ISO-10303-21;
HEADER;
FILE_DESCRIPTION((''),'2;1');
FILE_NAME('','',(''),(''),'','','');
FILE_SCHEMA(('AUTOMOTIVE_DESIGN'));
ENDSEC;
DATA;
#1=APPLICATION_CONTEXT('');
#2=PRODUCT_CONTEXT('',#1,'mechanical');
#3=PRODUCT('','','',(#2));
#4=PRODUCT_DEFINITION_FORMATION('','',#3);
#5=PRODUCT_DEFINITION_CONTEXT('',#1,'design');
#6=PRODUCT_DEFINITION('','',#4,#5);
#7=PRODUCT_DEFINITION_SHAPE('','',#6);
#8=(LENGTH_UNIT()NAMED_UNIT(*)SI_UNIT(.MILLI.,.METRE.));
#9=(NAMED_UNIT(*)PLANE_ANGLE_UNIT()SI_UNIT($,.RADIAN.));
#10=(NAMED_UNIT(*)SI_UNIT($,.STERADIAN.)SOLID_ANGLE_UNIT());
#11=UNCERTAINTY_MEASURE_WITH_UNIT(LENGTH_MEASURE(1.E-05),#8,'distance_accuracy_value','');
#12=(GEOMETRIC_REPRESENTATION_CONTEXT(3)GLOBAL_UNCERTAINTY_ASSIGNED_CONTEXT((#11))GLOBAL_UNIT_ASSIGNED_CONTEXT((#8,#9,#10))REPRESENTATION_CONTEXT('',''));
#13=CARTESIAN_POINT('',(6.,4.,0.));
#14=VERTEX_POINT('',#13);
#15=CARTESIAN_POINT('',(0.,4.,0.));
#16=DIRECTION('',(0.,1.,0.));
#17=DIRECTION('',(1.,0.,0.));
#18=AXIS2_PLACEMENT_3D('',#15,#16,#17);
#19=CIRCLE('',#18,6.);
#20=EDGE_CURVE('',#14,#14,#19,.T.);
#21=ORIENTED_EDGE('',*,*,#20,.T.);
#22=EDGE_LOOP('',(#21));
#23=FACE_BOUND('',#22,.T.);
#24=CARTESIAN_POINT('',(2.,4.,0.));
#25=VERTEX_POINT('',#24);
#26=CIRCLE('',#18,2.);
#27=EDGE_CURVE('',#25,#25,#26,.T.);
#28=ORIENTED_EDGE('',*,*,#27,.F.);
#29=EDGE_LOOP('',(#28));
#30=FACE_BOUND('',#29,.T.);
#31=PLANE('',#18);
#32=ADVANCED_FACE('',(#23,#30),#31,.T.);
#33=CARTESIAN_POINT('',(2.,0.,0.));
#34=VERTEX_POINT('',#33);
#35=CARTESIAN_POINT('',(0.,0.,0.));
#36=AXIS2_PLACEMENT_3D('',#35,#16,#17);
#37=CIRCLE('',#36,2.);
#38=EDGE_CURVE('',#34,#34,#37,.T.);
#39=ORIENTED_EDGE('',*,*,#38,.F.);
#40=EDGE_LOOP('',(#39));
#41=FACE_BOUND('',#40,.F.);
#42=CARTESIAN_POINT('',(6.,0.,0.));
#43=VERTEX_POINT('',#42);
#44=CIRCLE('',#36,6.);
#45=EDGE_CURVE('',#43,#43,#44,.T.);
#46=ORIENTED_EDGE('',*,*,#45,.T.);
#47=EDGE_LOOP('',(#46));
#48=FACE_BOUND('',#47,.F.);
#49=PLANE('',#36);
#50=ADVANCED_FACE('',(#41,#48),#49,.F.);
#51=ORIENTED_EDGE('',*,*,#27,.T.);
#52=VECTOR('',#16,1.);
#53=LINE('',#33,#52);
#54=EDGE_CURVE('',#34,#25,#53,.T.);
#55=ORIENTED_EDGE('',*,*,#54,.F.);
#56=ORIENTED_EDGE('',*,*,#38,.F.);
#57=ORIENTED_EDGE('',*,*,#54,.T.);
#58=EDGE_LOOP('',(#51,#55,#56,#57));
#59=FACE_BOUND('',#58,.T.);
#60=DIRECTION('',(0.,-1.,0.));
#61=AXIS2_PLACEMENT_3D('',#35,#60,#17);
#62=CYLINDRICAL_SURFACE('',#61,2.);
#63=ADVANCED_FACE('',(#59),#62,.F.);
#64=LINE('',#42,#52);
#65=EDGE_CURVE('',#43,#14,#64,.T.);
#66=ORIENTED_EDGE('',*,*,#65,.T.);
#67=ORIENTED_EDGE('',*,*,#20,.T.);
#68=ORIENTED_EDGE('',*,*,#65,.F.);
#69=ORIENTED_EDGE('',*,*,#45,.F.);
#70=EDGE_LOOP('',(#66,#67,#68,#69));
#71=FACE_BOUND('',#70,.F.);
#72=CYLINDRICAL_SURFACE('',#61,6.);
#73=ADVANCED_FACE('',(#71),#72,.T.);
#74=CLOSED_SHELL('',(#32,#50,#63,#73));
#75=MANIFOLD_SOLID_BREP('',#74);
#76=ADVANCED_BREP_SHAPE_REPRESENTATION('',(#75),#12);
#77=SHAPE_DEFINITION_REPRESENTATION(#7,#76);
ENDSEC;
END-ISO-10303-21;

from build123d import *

# Parameters (mm, degrees)
SKETCH1_R           = 6
SKETCH1_R_2         = 2
BOSS_EXTRUDE1_DEPTH = 4


with BuildPart() as part:
    # Sketch1 → Boss-Extrude1 (new body)
    with BuildSketch(Plane(origin=(0, 0, 0), x_dir=(1, 0, 0), z_dir=(0, 1, 0))):
        Circle(SKETCH1_R)
        Circle(SKETCH1_R_2, mode=Mode.SUBTRACT)
    extrude(amount=BOSS_EXTRUDE1_DEPTH)


solid = part.part
